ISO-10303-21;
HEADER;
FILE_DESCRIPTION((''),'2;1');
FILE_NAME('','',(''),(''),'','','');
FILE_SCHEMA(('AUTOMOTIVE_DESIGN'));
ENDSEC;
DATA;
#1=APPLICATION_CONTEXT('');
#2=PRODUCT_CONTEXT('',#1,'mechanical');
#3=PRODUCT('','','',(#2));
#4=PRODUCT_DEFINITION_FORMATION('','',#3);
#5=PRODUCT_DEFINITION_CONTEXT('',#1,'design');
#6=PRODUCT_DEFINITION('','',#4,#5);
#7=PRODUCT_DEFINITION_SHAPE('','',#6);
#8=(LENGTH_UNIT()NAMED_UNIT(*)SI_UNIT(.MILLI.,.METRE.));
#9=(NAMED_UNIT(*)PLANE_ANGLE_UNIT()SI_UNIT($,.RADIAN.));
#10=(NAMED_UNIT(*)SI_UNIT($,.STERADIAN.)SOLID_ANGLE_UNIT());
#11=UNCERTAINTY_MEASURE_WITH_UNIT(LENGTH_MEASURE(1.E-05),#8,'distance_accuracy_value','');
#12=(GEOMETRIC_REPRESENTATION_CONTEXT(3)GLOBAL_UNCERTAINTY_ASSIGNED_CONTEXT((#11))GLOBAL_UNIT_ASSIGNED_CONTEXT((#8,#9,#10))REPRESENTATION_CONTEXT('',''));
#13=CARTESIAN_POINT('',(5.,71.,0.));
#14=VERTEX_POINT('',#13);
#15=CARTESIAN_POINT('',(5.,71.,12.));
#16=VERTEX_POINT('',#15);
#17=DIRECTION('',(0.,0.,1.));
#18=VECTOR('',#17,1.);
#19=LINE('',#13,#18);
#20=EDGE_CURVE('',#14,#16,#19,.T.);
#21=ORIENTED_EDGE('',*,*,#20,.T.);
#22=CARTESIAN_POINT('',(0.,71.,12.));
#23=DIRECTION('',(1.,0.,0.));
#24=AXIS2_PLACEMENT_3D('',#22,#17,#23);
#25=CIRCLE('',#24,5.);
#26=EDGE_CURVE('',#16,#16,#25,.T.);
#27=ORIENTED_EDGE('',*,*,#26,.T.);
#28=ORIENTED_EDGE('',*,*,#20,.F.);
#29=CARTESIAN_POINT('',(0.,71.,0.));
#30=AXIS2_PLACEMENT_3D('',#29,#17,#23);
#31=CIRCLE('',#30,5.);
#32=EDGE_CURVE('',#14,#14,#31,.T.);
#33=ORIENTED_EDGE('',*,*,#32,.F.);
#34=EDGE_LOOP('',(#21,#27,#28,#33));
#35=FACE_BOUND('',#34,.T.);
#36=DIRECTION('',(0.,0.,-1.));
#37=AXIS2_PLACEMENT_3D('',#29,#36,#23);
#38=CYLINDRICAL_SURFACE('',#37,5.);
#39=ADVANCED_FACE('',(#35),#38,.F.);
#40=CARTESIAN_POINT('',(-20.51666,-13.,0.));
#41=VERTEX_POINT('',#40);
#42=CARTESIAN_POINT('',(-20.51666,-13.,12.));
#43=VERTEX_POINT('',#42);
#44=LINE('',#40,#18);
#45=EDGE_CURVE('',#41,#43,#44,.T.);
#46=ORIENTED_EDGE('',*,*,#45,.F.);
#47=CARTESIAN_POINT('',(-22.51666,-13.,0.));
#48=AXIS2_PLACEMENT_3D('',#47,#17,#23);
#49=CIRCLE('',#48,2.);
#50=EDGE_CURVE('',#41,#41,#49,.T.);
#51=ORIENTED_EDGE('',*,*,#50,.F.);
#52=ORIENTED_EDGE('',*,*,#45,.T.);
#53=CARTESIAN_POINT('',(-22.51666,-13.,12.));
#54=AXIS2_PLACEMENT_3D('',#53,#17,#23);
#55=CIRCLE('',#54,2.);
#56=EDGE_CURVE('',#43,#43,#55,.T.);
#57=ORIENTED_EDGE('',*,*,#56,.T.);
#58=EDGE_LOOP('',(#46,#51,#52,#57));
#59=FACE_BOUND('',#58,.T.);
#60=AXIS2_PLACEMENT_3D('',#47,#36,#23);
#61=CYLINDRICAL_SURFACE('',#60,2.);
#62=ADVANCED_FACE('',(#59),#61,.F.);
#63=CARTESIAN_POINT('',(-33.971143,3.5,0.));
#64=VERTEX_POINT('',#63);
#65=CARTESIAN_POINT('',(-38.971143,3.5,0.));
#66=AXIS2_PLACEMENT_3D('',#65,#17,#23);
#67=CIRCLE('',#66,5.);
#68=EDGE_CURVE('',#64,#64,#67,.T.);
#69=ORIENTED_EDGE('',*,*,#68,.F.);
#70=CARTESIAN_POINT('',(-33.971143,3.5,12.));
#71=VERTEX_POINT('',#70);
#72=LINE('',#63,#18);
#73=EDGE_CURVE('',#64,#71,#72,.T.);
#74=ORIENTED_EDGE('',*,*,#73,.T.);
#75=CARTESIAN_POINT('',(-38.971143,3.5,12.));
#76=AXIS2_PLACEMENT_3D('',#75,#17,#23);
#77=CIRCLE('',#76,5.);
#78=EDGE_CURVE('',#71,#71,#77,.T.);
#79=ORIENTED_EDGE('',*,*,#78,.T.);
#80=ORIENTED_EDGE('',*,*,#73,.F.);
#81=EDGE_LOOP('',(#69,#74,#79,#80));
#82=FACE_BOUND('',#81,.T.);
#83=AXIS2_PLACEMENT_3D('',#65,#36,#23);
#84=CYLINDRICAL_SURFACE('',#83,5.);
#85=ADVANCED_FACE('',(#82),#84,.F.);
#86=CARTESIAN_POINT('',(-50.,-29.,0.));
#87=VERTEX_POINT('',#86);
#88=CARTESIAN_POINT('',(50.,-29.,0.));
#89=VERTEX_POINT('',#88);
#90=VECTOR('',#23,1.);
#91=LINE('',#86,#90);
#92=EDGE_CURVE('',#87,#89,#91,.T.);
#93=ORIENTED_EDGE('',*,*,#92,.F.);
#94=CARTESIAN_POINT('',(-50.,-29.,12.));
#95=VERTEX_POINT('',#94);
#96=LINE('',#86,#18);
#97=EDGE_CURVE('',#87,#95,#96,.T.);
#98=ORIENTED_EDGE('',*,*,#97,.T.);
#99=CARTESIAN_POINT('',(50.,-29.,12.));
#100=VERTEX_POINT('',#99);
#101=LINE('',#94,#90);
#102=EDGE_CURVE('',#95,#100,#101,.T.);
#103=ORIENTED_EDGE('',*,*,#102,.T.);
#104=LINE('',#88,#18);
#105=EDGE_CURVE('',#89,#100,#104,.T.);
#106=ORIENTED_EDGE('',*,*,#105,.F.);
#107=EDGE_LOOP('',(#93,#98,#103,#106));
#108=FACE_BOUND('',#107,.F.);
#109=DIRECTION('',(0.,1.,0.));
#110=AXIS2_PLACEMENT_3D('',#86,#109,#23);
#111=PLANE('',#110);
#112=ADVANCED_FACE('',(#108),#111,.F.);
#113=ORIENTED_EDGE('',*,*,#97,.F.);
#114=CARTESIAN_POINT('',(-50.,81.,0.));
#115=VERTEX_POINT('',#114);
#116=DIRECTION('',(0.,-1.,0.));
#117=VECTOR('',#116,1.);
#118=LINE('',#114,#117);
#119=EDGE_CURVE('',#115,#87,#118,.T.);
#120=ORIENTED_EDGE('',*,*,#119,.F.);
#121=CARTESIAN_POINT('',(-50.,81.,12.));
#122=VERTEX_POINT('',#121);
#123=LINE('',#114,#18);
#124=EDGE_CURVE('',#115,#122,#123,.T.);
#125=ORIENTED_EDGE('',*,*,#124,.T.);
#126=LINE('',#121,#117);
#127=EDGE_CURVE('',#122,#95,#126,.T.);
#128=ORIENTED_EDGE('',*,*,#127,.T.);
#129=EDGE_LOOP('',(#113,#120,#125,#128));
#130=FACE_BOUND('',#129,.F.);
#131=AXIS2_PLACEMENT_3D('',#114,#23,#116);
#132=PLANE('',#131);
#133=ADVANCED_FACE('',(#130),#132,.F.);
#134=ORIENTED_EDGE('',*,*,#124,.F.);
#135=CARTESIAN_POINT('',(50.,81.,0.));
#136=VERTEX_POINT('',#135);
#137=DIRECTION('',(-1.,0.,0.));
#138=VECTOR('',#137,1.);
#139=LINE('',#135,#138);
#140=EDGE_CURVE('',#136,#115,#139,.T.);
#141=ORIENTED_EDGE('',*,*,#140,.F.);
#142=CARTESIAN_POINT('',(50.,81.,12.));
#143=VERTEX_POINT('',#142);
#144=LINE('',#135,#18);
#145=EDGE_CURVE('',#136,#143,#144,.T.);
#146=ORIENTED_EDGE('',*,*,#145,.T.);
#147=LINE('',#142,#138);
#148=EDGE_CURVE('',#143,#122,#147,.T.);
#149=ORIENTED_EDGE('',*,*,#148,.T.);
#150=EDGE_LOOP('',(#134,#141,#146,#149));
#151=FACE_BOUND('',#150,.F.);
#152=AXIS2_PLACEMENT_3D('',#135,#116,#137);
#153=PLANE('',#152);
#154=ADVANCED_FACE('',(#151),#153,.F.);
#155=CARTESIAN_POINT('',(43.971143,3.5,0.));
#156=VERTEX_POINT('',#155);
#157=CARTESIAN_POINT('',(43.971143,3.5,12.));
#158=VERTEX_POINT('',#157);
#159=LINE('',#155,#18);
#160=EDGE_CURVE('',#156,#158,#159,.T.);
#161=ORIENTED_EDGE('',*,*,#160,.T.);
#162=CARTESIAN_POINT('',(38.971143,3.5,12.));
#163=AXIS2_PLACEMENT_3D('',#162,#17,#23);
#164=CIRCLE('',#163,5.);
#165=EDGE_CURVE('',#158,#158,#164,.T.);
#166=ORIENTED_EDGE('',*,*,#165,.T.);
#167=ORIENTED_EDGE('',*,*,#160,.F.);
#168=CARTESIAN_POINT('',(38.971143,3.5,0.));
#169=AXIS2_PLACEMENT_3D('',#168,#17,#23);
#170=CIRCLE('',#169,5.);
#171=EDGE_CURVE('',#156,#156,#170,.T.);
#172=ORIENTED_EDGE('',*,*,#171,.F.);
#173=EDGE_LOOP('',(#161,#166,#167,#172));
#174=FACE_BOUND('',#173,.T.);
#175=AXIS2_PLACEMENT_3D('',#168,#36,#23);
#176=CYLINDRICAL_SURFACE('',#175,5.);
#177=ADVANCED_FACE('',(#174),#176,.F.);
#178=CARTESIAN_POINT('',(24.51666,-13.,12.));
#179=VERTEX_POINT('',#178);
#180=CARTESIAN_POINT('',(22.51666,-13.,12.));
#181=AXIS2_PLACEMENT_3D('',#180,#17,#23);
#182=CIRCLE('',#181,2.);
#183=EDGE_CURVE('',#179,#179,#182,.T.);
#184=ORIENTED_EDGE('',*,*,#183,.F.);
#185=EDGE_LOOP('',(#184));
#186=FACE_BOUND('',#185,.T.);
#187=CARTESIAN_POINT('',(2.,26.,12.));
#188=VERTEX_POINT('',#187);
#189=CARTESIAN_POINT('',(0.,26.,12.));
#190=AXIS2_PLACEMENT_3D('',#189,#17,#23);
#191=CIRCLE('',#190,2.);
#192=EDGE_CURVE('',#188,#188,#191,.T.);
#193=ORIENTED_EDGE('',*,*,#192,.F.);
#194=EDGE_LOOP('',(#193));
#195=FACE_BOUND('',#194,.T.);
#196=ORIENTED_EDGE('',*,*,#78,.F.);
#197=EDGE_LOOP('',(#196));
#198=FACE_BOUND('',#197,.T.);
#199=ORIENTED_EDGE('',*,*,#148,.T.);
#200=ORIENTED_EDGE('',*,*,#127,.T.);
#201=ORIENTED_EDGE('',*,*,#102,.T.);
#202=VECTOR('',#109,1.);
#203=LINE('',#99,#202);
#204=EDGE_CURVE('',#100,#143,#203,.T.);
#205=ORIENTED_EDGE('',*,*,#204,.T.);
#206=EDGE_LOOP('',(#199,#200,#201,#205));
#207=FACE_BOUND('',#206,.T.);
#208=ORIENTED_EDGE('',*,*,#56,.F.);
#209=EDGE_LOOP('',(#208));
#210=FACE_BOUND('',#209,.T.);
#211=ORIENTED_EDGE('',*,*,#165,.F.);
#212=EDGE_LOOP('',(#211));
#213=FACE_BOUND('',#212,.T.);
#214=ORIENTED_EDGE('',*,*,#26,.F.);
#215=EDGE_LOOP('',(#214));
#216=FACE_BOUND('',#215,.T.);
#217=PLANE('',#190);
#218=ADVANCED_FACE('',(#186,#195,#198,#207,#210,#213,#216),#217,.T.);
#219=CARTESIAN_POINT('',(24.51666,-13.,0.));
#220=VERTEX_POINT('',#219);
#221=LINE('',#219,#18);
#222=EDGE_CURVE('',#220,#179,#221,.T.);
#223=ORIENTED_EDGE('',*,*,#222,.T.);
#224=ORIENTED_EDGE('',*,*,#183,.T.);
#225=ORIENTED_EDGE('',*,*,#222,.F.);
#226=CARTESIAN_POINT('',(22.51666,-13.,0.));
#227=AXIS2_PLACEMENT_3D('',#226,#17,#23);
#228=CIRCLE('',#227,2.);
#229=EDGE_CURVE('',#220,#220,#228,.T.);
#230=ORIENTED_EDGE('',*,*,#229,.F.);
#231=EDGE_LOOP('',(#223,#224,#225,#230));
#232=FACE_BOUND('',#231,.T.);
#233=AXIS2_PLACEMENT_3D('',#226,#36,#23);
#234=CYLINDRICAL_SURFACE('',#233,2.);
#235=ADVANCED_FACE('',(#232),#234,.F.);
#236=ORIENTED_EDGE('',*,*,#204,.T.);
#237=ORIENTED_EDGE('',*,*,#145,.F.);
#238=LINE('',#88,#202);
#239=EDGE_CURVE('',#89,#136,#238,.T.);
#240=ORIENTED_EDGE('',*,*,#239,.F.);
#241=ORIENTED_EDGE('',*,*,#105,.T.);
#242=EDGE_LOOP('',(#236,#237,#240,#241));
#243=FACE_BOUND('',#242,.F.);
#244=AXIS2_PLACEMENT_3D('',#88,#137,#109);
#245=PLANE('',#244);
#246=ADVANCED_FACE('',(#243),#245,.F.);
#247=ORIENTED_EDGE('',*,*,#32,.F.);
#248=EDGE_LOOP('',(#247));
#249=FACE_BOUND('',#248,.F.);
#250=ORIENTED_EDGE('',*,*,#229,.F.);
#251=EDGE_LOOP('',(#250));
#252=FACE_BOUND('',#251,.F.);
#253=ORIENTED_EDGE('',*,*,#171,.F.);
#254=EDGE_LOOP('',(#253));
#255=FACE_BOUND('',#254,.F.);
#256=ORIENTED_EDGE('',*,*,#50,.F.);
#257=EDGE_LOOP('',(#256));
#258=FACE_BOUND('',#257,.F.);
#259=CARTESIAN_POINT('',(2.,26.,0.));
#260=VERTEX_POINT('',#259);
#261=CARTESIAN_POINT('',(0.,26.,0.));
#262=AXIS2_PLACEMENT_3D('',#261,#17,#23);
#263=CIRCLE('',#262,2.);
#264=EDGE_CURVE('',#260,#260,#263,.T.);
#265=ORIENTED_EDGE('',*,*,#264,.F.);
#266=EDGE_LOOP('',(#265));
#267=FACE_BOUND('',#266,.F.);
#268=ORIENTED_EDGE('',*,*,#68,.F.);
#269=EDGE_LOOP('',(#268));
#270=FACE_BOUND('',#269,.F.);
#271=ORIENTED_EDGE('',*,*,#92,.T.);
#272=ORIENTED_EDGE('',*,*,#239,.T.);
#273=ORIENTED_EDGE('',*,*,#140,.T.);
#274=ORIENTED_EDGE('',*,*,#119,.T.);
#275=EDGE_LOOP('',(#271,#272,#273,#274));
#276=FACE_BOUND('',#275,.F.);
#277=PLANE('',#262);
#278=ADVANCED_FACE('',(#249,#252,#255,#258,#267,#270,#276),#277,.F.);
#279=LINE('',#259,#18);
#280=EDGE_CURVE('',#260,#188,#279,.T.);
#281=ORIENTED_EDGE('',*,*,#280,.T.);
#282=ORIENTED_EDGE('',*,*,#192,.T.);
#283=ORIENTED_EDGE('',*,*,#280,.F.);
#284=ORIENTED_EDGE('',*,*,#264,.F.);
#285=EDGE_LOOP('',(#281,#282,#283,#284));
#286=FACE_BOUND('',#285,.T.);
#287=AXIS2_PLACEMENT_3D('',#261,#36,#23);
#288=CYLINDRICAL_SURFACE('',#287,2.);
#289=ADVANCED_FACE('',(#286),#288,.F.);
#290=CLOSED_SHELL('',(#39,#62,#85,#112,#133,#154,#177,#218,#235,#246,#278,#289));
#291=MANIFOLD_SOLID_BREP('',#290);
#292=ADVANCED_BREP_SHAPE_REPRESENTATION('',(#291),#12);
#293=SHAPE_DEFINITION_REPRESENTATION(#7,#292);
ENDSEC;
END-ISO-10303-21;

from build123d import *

# Parameters (mm, degrees)
F0_R     = 2
F0_R_2   = 5
F1_DEPTH = 12


with BuildPart() as f1:
    # F0 (on Top) → F1 (new body)
    with BuildSketch(Plane.XY):
        Polygon((2.75, 81), (-50, 81), (-50, -29), (50, -29), (50, 81), align=None)
        with Locations((-22.51666, -13)):
            Circle(F0_R, mode=Mode.SUBTRACT)
        with Locations((-38.971143, 3.5)):
            Circle(F0_R_2, mode=Mode.SUBTRACT)
        with Locations((22.51666, -13)):
            Circle(F0_R, mode=Mode.SUBTRACT)
        with Locations((38.971143, 3.5)):
            Circle(F0_R_2, mode=Mode.SUBTRACT)
        with Locations((0, 26)):
            Circle(F0_R, mode=Mode.SUBTRACT)
        with Locations((0, 71)):
            Circle(F0_R_2, mode=Mode.SUBTRACT)
    extrude(amount=F1_DEPTH)


solid = f1.part
